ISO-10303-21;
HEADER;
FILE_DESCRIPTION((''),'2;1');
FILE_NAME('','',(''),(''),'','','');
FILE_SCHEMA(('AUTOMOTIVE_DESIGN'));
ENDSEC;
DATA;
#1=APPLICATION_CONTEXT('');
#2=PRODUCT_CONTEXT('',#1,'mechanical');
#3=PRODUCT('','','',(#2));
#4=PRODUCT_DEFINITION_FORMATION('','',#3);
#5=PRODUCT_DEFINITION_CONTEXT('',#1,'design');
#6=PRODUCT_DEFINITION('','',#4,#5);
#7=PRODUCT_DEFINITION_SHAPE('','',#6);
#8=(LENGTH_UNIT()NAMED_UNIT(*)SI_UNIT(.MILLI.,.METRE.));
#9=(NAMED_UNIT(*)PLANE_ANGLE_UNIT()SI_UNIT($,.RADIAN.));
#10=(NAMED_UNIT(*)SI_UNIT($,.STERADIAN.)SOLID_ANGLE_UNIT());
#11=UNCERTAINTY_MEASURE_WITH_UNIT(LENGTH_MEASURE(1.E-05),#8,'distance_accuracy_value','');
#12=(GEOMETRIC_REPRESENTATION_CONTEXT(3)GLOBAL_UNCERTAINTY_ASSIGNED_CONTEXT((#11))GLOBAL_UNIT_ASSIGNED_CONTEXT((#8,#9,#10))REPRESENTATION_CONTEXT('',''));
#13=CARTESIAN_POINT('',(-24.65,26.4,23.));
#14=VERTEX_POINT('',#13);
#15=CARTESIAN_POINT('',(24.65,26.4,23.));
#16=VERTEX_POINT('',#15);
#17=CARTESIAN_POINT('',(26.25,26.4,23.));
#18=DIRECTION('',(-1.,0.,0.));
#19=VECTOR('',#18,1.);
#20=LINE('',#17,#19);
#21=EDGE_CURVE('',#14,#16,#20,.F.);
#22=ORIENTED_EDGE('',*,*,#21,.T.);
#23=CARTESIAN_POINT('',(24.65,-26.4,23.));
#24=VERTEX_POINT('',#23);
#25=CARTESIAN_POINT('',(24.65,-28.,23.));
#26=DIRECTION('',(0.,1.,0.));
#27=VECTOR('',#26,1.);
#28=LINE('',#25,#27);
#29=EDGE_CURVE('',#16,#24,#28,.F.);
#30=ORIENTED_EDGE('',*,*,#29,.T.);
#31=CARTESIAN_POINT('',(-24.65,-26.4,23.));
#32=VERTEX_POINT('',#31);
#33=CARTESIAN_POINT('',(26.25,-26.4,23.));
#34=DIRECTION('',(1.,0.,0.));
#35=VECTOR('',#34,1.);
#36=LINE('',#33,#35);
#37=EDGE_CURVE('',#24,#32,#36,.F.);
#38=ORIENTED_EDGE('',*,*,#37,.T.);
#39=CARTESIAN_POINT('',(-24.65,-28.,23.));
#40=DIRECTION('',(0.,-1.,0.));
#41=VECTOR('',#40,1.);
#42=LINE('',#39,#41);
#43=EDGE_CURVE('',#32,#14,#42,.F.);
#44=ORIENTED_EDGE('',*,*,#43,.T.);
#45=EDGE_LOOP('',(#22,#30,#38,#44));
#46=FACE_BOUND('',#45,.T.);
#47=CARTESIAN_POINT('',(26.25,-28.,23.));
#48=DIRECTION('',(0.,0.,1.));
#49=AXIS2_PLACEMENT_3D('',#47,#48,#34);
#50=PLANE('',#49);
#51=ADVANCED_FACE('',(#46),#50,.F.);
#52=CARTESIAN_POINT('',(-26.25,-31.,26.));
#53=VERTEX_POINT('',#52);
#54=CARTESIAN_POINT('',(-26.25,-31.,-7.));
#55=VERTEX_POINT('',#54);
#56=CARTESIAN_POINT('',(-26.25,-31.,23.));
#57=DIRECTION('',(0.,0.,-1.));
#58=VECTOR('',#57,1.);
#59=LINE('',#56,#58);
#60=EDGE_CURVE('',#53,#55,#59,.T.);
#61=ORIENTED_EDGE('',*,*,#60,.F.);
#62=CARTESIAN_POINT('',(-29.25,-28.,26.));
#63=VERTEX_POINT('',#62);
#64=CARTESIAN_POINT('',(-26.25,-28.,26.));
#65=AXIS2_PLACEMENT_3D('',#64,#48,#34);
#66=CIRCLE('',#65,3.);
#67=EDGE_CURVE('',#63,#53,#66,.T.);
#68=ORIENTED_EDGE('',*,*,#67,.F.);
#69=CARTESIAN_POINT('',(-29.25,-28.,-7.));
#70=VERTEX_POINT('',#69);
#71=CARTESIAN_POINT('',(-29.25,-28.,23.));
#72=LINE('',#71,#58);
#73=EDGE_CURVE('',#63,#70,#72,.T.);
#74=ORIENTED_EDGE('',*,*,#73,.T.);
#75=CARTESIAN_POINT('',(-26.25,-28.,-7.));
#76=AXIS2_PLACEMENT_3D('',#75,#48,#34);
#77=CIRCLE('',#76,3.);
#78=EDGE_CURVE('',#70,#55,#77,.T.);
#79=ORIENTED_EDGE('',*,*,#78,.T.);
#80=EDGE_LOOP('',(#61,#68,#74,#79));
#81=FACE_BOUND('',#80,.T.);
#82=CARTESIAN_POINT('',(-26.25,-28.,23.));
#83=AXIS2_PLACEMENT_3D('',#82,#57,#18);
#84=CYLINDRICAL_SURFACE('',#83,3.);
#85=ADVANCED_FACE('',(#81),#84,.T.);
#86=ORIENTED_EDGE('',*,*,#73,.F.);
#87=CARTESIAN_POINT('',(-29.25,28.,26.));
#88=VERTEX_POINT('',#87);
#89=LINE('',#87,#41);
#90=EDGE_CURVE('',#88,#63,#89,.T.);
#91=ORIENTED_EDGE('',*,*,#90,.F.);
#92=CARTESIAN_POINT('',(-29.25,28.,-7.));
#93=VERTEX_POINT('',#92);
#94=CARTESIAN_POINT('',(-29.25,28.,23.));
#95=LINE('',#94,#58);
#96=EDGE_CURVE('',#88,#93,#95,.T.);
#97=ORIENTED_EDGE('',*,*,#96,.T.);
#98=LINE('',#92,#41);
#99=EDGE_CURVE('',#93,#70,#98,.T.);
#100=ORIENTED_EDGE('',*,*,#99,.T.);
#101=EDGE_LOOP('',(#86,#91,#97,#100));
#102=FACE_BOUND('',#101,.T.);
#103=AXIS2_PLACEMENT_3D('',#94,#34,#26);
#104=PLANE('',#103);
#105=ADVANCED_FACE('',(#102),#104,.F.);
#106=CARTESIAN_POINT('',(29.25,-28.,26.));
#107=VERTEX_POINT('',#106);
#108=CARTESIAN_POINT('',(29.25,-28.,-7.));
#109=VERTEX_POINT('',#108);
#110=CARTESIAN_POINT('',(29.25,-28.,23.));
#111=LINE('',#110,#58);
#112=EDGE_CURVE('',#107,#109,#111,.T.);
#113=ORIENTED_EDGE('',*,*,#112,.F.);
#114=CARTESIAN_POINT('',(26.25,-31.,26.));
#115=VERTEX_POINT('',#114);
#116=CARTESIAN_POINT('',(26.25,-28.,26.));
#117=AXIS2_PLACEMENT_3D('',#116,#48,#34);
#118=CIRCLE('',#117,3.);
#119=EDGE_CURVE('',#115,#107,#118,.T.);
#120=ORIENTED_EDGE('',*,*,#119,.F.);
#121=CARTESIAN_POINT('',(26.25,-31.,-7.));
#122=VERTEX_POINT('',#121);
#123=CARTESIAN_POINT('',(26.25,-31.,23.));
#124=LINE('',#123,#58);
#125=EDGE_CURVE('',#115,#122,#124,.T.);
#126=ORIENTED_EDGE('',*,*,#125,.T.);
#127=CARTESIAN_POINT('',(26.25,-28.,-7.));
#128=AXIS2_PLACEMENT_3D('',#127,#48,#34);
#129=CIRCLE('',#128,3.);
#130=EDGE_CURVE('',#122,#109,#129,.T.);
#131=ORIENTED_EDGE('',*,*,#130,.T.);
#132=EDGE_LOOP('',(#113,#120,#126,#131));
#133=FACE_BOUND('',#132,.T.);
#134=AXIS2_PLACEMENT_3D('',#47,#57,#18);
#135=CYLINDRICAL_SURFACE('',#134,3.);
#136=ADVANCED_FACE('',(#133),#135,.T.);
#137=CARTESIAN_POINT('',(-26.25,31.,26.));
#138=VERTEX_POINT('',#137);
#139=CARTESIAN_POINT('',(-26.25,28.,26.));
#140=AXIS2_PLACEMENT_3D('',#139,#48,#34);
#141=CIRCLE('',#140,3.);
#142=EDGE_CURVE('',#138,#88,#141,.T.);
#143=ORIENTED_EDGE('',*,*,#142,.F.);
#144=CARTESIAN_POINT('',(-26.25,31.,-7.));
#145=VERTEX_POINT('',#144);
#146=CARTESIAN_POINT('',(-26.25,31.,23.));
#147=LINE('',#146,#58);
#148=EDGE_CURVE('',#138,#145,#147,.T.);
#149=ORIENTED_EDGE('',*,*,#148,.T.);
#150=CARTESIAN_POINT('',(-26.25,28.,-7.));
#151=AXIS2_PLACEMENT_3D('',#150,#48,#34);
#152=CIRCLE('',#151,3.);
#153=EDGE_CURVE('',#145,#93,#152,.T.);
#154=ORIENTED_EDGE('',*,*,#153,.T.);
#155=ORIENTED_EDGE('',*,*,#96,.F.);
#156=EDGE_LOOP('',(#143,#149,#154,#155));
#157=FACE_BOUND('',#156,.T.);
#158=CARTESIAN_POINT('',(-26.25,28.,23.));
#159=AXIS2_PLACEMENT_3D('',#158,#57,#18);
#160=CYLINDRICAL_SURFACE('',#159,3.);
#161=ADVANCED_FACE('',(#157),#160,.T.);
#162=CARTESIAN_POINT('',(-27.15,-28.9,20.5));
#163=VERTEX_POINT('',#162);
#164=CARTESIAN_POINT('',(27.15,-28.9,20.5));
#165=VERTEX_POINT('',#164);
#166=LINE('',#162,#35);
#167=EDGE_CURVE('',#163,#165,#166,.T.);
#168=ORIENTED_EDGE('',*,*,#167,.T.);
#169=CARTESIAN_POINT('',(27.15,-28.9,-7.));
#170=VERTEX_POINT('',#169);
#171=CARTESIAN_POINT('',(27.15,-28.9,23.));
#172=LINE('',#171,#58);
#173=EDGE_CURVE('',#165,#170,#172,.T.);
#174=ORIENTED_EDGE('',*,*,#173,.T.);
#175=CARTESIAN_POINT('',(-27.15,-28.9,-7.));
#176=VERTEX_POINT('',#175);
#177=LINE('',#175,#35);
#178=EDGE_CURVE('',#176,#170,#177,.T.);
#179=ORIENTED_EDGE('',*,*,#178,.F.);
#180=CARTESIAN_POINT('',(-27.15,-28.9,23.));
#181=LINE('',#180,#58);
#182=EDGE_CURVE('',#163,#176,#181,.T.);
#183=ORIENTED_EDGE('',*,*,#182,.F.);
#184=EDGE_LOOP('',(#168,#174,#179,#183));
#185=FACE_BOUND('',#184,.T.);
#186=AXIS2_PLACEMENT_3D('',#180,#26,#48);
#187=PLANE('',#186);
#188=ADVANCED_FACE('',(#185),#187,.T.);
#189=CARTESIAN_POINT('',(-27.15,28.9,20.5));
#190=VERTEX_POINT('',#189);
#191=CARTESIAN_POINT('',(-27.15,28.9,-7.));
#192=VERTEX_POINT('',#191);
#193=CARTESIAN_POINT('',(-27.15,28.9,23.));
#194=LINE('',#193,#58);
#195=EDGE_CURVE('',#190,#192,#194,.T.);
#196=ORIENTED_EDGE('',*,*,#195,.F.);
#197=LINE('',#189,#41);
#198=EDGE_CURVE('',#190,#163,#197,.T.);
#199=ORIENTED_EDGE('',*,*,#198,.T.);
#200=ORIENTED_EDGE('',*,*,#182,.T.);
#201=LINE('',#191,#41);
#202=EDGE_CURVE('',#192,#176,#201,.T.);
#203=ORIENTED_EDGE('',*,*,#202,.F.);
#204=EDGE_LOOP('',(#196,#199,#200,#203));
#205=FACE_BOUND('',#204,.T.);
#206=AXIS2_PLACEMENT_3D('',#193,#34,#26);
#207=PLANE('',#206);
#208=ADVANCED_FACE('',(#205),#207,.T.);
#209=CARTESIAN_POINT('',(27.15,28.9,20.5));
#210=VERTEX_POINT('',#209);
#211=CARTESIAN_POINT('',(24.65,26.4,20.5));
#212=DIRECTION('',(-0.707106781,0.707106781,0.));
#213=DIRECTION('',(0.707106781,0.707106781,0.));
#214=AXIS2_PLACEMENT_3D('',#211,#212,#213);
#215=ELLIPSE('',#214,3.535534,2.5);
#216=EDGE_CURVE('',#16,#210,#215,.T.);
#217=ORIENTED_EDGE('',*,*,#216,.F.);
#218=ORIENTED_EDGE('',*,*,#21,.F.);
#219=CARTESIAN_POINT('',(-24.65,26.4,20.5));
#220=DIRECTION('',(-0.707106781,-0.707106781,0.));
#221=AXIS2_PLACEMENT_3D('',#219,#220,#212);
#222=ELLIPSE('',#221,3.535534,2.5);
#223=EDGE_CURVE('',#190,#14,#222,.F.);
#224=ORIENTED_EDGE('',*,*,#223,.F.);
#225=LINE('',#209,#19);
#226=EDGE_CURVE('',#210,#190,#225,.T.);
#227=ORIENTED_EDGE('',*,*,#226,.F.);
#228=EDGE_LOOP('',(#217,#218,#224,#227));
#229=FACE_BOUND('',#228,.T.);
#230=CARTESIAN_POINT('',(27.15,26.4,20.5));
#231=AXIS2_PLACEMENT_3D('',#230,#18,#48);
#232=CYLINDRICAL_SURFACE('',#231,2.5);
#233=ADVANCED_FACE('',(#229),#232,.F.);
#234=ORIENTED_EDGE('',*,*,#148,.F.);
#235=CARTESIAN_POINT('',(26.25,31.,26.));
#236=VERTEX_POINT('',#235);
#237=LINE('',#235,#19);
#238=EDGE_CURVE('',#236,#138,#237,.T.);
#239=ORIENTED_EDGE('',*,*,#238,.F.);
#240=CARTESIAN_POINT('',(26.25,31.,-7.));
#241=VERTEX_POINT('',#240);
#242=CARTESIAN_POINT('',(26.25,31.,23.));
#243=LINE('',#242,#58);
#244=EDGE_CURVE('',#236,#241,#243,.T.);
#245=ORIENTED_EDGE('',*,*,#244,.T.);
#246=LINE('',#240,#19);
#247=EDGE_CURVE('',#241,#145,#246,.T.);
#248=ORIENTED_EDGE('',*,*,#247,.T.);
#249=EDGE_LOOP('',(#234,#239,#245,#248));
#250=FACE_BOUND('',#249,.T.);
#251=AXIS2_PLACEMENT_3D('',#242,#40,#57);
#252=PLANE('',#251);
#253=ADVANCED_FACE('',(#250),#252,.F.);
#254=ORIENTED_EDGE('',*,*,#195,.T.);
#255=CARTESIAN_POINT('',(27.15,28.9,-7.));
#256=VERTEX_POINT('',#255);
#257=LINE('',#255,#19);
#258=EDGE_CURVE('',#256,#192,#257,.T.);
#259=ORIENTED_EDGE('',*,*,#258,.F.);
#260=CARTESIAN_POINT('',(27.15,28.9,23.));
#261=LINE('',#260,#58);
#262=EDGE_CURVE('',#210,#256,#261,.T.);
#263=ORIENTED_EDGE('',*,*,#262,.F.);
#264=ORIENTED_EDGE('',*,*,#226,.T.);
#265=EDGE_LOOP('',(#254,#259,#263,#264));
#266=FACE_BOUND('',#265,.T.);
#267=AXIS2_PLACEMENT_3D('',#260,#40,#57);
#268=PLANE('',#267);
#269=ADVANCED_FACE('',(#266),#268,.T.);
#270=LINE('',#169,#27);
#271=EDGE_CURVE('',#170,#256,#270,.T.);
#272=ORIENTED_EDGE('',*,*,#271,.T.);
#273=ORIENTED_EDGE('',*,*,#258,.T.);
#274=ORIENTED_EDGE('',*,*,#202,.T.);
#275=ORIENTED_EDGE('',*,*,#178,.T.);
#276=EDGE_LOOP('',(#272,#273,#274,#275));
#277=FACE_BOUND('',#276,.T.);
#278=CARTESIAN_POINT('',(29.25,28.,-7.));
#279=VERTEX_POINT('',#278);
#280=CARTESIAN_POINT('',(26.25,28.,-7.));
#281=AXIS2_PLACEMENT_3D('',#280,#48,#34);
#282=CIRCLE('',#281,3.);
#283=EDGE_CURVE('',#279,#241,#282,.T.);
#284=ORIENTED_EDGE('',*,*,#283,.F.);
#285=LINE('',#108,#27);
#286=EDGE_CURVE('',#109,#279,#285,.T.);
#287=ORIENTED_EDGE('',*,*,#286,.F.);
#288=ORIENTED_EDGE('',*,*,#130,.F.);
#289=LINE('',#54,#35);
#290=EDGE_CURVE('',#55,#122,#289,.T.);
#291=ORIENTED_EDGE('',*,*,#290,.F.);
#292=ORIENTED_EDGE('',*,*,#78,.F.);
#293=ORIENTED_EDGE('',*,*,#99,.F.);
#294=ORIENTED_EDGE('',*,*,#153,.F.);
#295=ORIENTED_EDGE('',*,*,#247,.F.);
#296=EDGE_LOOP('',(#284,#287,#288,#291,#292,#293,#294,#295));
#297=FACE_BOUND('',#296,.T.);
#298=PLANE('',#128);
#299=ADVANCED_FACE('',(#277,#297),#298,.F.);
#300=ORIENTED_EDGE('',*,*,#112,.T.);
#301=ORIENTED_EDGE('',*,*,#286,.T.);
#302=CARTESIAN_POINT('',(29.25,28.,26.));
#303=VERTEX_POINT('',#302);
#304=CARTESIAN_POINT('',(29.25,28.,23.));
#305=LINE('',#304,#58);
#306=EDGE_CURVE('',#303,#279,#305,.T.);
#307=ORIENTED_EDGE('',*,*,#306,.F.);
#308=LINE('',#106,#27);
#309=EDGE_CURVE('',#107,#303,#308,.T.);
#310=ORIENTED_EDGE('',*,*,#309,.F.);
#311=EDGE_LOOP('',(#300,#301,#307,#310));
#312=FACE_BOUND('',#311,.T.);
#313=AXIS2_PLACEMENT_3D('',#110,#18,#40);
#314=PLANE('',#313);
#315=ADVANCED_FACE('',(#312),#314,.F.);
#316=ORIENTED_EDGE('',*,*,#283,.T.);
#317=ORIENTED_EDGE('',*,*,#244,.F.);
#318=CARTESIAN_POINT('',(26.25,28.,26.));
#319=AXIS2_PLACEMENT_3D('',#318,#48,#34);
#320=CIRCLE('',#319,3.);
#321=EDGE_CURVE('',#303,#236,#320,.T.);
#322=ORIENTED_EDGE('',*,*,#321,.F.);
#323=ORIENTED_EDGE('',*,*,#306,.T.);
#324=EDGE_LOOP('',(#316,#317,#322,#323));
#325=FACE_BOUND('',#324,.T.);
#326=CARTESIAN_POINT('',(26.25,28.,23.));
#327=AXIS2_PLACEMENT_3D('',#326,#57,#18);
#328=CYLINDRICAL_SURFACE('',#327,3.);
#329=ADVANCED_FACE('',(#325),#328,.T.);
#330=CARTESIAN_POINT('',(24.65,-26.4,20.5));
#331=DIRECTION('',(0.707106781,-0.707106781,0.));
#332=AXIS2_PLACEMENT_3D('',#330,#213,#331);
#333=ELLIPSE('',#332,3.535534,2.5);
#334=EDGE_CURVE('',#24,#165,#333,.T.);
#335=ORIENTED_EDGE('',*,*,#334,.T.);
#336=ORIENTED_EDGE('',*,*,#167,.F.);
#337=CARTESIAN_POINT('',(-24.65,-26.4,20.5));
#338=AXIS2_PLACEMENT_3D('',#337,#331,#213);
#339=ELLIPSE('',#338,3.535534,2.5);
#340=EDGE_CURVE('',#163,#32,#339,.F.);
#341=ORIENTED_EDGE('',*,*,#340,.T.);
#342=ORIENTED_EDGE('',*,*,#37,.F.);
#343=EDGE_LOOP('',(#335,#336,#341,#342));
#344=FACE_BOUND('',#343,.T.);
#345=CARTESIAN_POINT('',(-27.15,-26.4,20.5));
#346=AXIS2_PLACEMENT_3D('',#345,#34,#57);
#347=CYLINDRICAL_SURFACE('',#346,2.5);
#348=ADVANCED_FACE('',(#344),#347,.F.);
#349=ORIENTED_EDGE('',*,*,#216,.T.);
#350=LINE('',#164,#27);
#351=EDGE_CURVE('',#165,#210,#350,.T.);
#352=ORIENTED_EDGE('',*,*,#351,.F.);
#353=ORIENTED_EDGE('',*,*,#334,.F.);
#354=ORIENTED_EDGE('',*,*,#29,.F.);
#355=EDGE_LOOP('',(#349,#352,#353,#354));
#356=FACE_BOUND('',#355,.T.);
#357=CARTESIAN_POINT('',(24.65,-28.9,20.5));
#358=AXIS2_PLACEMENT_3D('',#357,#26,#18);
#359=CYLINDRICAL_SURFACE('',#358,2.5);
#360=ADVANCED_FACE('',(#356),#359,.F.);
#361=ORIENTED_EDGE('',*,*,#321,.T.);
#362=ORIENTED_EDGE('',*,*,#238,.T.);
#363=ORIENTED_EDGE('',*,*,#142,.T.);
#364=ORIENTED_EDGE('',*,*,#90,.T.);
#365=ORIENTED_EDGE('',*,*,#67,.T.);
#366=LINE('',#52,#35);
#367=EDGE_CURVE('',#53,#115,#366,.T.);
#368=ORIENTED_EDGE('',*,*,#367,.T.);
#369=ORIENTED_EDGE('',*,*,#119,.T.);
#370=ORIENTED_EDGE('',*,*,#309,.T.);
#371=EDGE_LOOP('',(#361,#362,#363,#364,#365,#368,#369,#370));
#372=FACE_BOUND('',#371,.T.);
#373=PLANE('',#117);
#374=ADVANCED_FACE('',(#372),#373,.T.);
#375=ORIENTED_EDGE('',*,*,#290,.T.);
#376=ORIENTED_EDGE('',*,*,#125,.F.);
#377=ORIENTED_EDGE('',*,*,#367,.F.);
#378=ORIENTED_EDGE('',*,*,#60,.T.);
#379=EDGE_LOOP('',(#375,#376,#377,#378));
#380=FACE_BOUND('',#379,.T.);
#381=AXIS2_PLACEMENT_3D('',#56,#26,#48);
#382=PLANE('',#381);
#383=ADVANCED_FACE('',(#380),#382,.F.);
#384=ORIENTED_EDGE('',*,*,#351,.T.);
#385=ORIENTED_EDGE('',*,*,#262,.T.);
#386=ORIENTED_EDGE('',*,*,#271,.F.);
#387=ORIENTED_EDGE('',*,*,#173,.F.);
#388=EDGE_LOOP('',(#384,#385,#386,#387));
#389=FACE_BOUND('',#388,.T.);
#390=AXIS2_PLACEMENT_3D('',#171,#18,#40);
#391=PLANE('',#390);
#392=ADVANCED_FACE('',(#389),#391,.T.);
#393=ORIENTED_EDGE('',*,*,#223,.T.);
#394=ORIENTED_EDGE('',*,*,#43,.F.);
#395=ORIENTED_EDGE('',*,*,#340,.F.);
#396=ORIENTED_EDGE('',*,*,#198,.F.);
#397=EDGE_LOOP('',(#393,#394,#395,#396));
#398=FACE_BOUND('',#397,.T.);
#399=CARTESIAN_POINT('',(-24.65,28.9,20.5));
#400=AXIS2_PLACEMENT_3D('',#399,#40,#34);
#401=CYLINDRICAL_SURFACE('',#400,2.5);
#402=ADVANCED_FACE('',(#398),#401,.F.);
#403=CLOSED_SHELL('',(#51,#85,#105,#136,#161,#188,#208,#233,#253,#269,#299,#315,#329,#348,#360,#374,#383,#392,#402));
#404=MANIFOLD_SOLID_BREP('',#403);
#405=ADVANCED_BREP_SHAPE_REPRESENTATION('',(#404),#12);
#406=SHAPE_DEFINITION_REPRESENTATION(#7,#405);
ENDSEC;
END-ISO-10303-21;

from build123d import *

# Parameters (mm, degrees)
SKETCH_1_W      = 54.3
SKETCH_1_H      = 57.8
EXTRUDE_1_DEPTH = 30
EXTRUDE_2_DEPTH = 3
FILLET_1_R      = 2.5


with BuildPart() as part:
    # Эскиз1 → Бобышка-Вытянуть1 (new body)
    with BuildSketch(Plane.XY.offset(-7)):
        with BuildLine():
            Line((-26.25, -31), (26.25, -31))
            ThreePointArc((26.25, -31), (28.371320344, -30.121320344), (29.25, -28))
            Line((29.25, -28), (29.25, 28))
            ThreePointArc((29.25, 28), (28.371320344, 30.121320344), (26.25, 31))
            Line((26.25, 31), (-26.25, 31))
            ThreePointArc((-26.25, 31), (-28.371320344, 30.121320344), (-29.25, 28))
            Line((-29.25, 28), (-29.25, -28))
            ThreePointArc((-29.25, -28), (-28.371320344, -30.121320344), (-26.25, -31))
        make_face()
        Rectangle(SKETCH_1_W, SKETCH_1_H, mode=Mode.SUBTRACT)
    extrude(amount=EXTRUDE_1_DEPTH)

    # Эскиз2 → Бобышка-Вытянуть2 (add)
    with BuildSketch(Plane.XY.offset(23)):
        with BuildLine():
            Line((-26.25, -31), (26.25, -31))
            ThreePointArc((26.25, -31), (28.371320344, -30.121320344), (29.25, -28))
            Line((29.25, -28), (29.25, 28))
            ThreePointArc((29.25, 28), (28.371320344, 30.121320344), (26.25, 31))
            Line((26.25, 31), (-26.25, 31))
            ThreePointArc((-26.25, 31), (-28.371320344, 30.121320344), (-29.25, 28))
            Line((-29.25, 28), (-29.25, -28))
            ThreePointArc((-29.25, -28), (-28.371320344, -30.121320344), (-26.25, -31))
        make_face()
    extrude(amount=EXTRUDE_2_DEPTH)

    # Скругление1
    fillet_1_edges = [part.edges().sort_by_distance(p)[0] for p in [
        (0, 28.9, 23),
        (-27.15, 0, 23),
        (0, -28.9, 23),
        (27.15, 0, 23),
    ]]
    fillet(fillet_1_edges, radius=FILLET_1_R)


solid = part.part
